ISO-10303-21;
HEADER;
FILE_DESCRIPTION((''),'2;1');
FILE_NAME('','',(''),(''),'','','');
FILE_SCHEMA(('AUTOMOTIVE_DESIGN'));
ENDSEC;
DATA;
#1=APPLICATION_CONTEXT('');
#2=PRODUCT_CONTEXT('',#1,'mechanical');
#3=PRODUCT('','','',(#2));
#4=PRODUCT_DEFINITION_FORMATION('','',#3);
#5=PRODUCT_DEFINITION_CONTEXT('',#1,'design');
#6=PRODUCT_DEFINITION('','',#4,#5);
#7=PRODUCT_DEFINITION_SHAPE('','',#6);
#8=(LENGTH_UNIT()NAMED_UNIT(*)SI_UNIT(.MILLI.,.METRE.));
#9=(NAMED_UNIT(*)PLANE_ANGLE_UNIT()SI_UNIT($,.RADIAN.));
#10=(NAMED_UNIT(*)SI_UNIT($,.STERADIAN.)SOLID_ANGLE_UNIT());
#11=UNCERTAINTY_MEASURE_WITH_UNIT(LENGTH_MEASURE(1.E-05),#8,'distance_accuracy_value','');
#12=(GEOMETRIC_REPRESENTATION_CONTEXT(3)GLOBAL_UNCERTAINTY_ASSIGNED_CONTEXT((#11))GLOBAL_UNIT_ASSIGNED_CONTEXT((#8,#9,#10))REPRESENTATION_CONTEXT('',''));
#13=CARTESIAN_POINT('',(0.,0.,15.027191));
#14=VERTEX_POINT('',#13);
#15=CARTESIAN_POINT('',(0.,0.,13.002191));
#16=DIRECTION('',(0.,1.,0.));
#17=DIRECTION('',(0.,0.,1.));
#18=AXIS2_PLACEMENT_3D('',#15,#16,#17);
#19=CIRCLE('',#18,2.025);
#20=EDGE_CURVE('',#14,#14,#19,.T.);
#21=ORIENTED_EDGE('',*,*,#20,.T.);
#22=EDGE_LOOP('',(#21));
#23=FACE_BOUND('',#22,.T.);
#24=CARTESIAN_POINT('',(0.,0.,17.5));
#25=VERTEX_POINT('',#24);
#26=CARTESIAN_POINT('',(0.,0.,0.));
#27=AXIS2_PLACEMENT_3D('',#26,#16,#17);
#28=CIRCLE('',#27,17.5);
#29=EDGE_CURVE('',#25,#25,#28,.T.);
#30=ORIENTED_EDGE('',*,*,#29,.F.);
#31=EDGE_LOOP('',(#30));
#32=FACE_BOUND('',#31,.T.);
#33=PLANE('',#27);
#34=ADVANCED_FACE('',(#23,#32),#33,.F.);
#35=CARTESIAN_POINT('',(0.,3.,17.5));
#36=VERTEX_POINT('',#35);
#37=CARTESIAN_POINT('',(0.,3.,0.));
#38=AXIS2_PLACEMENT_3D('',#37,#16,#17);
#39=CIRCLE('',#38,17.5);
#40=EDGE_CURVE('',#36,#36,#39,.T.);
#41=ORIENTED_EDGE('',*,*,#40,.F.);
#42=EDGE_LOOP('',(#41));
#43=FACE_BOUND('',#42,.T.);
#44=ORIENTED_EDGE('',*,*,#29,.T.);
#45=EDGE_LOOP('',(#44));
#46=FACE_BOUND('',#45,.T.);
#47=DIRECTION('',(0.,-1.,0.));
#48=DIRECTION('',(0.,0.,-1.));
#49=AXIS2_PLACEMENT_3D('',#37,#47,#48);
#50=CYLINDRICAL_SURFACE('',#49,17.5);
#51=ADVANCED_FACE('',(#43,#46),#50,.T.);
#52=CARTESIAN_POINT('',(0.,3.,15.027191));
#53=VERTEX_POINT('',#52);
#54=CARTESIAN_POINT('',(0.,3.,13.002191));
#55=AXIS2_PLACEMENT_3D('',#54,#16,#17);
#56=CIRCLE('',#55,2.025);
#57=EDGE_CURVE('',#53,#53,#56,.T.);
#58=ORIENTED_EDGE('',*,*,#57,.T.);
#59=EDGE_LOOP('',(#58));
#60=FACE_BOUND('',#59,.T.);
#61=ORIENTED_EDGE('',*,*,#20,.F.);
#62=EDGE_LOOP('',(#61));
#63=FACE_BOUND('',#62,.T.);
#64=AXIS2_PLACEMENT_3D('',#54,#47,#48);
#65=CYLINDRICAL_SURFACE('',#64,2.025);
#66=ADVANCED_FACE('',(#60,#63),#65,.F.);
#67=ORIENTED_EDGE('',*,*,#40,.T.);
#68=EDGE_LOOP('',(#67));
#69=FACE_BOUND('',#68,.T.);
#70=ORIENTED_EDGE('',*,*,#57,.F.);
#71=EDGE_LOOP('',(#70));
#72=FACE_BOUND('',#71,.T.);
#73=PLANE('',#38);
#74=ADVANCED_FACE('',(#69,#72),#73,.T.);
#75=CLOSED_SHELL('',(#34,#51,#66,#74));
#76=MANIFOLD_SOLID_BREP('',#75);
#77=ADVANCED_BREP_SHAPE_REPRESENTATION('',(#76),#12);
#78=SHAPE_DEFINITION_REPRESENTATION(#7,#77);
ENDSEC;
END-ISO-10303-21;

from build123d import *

# Parameters (mm, degrees)
SKETCH_2_R      = 17.5
SKETCH_2_R_2    = 2.025
EXTRUDE_1_DEPTH = 3


with BuildPart() as part:
    # 草图2 → 凸台-拉伸1 (new body)
    with BuildSketch(Plane(origin=(0, 0, 0), x_dir=(1, 0, 0), z_dir=(0, 1, 0))):
        with Locations(Location((0, 0, 0), (0, 0, 270))):
            Circle(SKETCH_2_R)
        with Locations(Location((0, -13.002191227, 0), (0, 0, 270))):
            Circle(SKETCH_2_R_2, mode=Mode.SUBTRACT)
    extrude(amount=EXTRUDE_1_DEPTH)


solid = part.part
